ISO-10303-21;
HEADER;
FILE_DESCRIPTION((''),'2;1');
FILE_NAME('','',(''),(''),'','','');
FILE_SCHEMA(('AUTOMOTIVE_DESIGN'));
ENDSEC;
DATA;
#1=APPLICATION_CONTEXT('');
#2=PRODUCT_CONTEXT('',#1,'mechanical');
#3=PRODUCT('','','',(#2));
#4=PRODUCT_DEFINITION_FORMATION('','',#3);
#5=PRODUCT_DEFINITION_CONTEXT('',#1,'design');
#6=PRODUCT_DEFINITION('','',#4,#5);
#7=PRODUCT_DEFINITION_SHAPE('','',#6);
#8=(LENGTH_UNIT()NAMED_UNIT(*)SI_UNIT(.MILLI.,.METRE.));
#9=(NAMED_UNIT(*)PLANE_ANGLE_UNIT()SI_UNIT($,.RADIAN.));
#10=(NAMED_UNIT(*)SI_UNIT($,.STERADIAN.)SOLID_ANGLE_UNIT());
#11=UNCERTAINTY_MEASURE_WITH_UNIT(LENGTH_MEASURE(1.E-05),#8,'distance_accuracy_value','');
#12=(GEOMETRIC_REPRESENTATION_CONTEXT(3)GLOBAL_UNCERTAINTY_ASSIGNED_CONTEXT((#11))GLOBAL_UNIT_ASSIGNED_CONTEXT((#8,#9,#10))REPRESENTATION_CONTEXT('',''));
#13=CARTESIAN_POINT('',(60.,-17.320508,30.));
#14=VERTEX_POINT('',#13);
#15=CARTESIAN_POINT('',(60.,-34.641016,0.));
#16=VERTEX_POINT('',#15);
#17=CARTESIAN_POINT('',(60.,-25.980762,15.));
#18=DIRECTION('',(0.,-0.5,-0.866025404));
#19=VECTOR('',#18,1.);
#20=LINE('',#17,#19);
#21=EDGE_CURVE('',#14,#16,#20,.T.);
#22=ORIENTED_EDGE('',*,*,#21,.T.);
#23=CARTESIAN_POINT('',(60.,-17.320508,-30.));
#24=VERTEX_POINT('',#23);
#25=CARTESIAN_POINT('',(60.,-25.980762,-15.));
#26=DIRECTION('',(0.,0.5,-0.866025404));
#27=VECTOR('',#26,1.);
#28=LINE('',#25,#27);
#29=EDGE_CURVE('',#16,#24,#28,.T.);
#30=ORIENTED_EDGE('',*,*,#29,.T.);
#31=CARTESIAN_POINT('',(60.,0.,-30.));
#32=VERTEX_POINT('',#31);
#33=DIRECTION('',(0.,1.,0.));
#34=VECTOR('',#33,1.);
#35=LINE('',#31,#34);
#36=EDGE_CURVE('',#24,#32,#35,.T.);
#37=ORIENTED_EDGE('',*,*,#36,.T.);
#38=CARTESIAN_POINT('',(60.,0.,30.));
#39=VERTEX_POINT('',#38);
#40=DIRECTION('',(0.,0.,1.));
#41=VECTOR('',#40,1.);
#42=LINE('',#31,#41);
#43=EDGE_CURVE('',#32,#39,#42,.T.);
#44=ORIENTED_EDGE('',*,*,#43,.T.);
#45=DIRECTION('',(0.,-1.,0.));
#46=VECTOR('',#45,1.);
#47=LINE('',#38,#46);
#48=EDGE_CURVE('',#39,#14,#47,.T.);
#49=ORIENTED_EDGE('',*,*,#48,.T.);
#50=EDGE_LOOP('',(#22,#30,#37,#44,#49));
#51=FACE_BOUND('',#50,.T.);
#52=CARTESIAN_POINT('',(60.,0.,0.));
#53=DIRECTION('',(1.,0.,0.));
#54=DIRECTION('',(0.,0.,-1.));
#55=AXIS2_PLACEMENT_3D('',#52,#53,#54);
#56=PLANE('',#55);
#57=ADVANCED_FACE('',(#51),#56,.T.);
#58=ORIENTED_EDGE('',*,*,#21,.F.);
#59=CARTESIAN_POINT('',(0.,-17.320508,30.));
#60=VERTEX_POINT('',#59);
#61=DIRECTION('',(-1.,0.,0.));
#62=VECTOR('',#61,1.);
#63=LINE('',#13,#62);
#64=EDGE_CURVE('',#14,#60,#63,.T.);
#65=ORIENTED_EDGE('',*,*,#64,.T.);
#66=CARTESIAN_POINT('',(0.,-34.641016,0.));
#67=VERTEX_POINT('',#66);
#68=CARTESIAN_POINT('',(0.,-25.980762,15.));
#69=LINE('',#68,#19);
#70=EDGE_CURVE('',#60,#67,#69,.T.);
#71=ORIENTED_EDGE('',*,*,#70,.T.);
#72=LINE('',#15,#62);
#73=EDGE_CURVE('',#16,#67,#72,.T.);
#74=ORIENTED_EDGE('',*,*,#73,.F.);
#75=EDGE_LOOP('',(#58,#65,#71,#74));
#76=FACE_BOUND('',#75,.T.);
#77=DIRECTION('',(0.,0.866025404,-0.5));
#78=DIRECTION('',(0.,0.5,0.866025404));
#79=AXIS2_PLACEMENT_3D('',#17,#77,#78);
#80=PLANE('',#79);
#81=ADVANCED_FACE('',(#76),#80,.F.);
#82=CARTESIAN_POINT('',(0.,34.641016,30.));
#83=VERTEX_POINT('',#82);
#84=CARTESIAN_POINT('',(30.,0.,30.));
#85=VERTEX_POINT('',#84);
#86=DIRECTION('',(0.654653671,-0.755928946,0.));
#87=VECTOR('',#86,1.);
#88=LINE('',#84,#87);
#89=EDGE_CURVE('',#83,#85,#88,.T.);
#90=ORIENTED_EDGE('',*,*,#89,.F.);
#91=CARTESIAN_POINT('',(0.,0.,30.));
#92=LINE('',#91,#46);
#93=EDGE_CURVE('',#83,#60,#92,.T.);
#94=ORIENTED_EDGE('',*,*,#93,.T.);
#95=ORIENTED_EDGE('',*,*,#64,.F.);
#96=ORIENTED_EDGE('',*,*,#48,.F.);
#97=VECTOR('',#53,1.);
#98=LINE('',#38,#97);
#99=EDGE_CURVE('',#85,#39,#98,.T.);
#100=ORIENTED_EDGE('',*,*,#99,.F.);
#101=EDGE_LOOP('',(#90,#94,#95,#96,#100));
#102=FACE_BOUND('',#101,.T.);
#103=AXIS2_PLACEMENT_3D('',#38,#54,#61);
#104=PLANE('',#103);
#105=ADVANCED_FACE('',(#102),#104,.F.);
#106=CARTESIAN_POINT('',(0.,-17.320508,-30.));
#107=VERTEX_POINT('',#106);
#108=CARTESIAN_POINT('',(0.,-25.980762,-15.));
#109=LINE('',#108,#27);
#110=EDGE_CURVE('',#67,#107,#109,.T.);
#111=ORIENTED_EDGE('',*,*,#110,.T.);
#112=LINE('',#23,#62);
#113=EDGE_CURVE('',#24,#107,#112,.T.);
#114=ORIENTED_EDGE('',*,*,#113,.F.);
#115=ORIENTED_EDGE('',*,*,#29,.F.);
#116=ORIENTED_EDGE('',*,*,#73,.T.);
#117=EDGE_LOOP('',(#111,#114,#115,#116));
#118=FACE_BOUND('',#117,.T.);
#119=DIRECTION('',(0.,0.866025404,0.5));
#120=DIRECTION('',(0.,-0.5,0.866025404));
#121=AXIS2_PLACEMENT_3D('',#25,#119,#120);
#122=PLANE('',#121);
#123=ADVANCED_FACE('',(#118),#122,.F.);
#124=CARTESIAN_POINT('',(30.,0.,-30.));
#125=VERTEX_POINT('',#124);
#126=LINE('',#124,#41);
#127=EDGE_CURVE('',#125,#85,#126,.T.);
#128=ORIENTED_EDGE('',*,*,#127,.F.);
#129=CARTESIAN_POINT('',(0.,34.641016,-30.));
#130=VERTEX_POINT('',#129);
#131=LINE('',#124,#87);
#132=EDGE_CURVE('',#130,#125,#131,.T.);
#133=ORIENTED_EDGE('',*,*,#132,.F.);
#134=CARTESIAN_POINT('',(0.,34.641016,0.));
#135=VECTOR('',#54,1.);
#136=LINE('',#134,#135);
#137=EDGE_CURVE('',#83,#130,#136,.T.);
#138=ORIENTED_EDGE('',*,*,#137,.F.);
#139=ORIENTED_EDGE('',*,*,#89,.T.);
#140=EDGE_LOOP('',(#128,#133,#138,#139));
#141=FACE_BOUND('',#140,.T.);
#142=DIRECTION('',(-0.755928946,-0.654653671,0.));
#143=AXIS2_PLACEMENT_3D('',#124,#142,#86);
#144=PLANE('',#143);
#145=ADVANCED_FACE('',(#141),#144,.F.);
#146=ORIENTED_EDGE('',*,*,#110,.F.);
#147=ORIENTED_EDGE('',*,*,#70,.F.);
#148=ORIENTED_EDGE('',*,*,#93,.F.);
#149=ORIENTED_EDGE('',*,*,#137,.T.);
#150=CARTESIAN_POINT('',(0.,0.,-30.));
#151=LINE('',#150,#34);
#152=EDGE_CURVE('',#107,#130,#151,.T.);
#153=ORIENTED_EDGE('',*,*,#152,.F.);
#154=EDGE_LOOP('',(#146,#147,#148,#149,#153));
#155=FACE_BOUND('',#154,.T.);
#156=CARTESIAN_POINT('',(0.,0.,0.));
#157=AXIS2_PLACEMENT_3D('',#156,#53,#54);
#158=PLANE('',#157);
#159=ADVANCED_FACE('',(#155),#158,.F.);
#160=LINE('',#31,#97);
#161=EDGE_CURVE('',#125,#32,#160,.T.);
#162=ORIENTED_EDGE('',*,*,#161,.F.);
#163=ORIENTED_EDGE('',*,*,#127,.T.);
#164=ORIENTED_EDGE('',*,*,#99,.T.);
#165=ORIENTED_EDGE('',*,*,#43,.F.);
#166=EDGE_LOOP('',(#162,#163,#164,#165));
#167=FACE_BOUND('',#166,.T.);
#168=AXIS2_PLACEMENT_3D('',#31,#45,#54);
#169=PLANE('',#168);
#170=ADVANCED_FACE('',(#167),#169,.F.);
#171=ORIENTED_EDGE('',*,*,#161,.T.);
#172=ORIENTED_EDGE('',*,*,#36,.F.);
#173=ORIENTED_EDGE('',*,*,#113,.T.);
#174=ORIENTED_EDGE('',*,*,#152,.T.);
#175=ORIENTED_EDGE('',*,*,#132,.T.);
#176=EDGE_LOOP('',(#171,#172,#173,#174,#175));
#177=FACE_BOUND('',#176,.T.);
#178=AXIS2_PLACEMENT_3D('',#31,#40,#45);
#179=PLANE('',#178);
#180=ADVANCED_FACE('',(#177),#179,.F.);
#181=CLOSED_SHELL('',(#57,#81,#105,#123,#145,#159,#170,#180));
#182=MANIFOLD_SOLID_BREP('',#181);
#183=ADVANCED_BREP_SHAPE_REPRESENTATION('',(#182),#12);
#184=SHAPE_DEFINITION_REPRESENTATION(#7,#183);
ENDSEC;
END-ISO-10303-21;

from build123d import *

# Parameters (mm, degrees)
EXTRUDE_2_DEPTH          = 60
CUT_EXTRUDE_2_DEPTH      = 76.498344353
CUT_EXTRUDE_2_DEPTH_BACK = 76.498344353


with BuildPart() as part:
    # Эскиз1 → Бобышка-Вытянуть2 (new body)
    with BuildSketch(Plane(origin=(0, 0, 0), x_dir=(0, 0, -1), z_dir=(1, 0, 0))):
        Polygon((-30, 34.641016151), (-30, -17.320508076), (0, -34.641016151), (30, -17.320508076), (30, 34.641016151), align=None)
    extrude(amount=EXTRUDE_2_DEPTH)

    # Эскиз3 → Вырез-Вытянуть2 (cut, two sides: drawn at the far end of the back side and taken through both)
    with BuildSketch(Plane.XY.offset(-CUT_EXTRUDE_2_DEPTH_BACK)):
        Polygon((60, 0), (30, 0), (0, 34.641016151), (60, 34.641016151), align=None)
    extrude(amount=CUT_EXTRUDE_2_DEPTH + CUT_EXTRUDE_2_DEPTH_BACK, mode=Mode.SUBTRACT)


solid = part.part
